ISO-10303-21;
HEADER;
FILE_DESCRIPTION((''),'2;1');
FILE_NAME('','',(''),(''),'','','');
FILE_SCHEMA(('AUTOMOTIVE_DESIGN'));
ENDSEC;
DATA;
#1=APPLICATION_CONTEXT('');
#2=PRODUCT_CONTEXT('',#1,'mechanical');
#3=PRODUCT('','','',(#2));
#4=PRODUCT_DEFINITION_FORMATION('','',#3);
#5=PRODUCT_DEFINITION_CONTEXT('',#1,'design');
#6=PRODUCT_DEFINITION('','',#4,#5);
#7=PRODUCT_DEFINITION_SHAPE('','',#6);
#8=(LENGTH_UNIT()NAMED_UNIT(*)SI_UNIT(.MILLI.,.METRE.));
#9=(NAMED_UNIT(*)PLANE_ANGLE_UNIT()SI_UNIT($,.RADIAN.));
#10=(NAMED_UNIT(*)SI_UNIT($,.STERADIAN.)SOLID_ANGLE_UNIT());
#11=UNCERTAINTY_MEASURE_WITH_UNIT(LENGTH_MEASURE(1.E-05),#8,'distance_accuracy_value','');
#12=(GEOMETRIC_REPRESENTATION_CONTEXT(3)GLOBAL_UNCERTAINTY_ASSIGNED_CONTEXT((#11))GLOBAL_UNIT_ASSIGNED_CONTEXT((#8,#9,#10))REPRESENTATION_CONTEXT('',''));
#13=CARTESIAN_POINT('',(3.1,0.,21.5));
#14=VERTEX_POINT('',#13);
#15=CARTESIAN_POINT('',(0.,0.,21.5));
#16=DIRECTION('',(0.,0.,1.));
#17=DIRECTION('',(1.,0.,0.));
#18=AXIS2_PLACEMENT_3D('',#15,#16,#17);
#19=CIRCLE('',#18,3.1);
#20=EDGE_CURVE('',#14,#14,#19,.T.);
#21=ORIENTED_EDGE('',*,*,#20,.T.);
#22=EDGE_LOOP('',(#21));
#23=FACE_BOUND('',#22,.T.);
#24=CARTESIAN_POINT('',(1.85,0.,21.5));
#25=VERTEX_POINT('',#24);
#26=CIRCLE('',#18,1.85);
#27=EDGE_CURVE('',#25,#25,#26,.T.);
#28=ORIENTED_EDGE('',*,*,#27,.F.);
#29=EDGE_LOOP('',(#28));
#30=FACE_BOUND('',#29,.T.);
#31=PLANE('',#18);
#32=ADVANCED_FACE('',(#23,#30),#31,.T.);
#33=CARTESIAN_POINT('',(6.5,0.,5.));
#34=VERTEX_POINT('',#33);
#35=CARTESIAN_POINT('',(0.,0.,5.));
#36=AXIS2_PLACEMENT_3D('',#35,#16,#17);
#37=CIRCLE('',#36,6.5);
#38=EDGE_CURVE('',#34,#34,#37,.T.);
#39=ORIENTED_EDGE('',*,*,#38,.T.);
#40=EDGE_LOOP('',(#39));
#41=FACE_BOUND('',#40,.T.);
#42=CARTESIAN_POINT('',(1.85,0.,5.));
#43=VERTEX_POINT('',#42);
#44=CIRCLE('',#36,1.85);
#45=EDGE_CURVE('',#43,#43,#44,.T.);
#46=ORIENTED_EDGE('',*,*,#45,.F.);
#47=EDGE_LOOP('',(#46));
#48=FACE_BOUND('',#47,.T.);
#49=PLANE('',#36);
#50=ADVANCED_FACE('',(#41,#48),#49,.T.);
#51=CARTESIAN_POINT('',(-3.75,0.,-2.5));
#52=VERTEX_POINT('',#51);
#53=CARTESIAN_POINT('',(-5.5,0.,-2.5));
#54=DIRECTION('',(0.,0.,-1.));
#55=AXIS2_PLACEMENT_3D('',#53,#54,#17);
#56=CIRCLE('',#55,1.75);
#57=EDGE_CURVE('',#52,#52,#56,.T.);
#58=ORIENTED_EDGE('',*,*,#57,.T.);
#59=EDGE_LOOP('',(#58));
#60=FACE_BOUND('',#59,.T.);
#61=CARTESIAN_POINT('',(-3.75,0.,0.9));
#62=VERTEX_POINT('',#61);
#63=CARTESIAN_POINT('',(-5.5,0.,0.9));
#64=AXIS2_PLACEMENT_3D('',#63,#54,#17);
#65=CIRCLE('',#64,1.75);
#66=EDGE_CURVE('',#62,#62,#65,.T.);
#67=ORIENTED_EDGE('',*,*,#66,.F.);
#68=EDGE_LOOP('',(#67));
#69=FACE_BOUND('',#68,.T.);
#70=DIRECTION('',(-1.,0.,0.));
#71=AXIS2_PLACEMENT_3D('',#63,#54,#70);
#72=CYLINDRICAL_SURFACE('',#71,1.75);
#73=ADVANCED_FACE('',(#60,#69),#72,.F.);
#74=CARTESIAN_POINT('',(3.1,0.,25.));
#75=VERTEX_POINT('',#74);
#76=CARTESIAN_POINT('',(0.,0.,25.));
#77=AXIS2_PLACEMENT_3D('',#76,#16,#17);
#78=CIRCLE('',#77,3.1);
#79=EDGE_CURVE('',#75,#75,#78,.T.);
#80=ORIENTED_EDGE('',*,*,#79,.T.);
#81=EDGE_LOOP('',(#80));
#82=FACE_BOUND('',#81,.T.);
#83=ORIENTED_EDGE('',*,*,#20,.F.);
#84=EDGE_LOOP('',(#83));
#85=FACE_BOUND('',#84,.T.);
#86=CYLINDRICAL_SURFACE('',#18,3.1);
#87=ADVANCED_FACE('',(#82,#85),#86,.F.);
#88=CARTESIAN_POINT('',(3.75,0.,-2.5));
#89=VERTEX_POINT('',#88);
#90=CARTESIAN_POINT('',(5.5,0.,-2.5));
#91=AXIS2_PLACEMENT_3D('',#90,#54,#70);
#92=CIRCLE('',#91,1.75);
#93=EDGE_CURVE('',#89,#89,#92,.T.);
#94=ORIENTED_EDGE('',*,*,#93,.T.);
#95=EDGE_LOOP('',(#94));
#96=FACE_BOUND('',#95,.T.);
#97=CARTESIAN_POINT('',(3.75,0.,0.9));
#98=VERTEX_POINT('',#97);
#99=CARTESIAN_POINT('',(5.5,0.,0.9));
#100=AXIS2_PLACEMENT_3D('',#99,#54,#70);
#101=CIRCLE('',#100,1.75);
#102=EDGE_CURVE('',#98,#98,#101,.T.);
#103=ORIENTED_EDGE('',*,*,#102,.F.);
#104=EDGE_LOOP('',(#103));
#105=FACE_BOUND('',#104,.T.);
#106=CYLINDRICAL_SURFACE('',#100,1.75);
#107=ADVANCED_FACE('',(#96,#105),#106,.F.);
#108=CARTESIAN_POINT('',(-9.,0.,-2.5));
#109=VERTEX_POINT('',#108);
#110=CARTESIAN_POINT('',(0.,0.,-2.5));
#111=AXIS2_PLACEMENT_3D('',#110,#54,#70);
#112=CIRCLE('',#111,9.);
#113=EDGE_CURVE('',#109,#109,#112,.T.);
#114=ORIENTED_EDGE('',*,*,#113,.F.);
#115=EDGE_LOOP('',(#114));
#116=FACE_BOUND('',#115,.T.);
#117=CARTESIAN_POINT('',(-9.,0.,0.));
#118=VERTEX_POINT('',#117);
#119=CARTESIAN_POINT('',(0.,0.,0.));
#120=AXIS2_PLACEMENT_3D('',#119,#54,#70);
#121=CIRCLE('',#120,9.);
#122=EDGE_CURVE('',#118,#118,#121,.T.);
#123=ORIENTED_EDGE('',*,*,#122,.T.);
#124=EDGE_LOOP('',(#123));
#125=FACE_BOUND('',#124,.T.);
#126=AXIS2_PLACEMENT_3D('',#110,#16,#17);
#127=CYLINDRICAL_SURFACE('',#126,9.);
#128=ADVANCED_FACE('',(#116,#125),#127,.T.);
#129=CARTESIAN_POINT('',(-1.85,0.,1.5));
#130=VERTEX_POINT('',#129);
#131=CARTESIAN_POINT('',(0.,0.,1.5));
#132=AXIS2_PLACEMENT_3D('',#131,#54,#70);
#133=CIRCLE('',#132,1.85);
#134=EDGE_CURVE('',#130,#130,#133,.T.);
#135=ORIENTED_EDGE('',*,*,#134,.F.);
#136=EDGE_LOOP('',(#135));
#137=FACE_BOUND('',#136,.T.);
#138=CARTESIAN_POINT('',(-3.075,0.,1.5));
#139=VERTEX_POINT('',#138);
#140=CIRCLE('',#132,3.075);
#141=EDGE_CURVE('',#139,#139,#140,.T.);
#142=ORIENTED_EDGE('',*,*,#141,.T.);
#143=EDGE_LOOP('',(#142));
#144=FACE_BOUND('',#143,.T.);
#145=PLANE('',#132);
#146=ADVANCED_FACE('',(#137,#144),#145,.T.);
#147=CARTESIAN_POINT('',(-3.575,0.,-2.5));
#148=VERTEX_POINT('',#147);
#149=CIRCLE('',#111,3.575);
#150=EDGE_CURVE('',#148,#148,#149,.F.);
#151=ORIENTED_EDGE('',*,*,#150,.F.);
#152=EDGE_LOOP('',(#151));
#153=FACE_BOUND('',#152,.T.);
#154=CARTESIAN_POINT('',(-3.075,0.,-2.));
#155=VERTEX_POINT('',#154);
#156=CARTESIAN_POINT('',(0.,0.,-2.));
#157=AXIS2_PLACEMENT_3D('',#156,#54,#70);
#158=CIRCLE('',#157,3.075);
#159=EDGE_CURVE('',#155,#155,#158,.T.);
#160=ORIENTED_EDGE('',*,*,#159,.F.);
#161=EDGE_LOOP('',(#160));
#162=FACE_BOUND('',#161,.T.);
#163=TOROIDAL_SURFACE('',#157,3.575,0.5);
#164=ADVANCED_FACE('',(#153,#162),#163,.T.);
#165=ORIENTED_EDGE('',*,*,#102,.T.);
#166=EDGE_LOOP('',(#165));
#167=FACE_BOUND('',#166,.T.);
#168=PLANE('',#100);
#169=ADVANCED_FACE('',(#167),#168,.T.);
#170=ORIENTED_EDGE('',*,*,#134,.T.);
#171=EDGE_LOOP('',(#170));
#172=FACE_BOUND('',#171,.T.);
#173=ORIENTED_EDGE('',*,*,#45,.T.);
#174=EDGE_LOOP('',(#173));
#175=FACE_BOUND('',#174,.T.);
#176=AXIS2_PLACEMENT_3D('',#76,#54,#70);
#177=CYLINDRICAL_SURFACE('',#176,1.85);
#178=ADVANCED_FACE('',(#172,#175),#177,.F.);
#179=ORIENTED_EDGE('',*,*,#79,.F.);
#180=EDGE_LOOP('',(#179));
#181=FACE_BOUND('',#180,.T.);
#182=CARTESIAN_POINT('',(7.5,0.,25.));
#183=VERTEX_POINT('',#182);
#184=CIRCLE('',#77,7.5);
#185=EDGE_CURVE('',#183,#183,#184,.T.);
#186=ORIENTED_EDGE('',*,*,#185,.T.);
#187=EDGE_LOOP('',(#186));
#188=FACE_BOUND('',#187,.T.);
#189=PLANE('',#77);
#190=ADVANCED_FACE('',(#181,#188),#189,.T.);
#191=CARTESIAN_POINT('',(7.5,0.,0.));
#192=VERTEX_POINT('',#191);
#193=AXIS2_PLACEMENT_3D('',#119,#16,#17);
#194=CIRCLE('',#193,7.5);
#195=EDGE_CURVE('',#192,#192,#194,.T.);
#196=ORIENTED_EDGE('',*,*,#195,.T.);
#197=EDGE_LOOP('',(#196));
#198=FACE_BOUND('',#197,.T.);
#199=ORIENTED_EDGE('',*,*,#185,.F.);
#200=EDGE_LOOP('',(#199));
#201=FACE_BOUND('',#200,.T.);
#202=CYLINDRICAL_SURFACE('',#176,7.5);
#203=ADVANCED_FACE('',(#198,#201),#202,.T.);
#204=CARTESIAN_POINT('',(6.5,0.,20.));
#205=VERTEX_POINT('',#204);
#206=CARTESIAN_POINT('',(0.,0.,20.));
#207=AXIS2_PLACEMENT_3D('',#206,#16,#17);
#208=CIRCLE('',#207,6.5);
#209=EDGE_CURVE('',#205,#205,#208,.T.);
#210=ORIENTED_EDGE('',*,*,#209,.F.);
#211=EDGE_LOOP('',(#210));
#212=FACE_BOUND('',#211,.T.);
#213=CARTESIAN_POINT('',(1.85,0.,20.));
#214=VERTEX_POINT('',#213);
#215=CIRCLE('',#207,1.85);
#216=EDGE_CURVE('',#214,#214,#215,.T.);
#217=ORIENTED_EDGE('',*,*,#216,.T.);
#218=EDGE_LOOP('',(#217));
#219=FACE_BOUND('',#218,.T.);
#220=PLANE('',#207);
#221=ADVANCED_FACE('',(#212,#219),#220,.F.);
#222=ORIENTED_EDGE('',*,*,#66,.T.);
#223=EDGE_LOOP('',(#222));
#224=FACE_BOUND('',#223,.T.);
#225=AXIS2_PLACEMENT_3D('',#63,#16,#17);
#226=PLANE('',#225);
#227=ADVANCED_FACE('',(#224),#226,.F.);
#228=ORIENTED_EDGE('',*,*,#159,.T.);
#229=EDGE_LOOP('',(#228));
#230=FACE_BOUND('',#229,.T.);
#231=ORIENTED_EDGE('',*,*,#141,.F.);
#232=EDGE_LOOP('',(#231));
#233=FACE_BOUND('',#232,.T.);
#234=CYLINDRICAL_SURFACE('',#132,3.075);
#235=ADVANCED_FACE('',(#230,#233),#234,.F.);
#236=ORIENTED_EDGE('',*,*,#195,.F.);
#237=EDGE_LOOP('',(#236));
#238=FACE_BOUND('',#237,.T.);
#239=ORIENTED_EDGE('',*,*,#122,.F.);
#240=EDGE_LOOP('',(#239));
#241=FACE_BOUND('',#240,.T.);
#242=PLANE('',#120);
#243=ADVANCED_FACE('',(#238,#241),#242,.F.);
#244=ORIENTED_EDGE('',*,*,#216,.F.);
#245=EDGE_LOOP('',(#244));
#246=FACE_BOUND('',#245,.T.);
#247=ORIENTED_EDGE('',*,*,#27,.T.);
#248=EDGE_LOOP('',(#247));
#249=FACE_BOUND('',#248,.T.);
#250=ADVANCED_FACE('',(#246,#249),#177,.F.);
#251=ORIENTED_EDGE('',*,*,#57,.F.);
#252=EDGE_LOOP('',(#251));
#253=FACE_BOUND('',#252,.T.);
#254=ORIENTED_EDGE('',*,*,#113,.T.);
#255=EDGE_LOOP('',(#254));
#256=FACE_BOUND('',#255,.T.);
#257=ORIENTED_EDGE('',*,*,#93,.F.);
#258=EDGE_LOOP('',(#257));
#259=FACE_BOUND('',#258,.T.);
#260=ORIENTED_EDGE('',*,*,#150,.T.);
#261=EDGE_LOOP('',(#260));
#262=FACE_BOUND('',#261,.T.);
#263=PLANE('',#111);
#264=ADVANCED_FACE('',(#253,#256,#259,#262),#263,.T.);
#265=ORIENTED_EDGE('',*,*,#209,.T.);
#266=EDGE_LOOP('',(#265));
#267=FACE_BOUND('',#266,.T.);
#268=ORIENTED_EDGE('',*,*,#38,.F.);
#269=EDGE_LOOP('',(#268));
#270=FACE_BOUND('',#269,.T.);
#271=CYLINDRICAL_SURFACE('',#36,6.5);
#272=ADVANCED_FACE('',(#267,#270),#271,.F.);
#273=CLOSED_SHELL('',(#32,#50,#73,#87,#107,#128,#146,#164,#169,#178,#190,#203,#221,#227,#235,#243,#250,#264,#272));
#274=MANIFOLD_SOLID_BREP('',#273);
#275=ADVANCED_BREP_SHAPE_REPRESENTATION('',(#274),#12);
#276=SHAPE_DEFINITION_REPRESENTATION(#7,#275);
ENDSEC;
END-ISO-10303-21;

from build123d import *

# Parameters (mm, degrees)
CROQUIS1_R              = 7.5
CROQUIS1_R_2            = 1.85
SALIENTE_EXTRUIR1_DEPTH = 25
CROQUIS2_R              = 6.5
CORTAR_EXTRUIR1_DEPTH   = 7.5
CROQUIS3_R              = 9
SALIENTE_EXTRUIR2_DEPTH = 2.5
CROQUIS4_R              = 3.1
CORTAR_EXTRUIR2_DEPTH   = 3.5
CROQUIS5_R              = 3.075
CORTAR_EXTRUIR3_DEPTH   = 4
REDONDEO1_R             = 0.5
CROQUIS6_R              = 1.75
CORTAR_EXTRUIR4_DEPTH   = 3.4


with BuildPart() as part:
    # Croquis1 → Saliente-Extruir1 (new body)
    with BuildSketch(Plane.XY):
        Circle(CROQUIS1_R)
        Circle(CROQUIS1_R_2, mode=Mode.SUBTRACT)
    extrude(amount=SALIENTE_EXTRUIR1_DEPTH)

    # Croquis2 → Cortar-Extruir1 (cut, symmetric)
    with BuildSketch(Plane.XY.offset(12.5)):
        Circle(CROQUIS2_R)
    extrude(amount=CORTAR_EXTRUIR1_DEPTH, both=True, mode=Mode.SUBTRACT)

    # Croquis3 → Saliente-Extruir2 (add)
    with BuildSketch(Plane(origin=(0, 0, 0), x_dir=(-1, 0, 0), z_dir=(0, 0, -1))):
        Circle(CROQUIS3_R)
    extrude(amount=SALIENTE_EXTRUIR2_DEPTH)

    # Croquis4 → Cortar-Extruir2 (cut)
    with BuildSketch(Plane.XY.offset(25)):
        Circle(CROQUIS4_R)
    extrude(amount=-CORTAR_EXTRUIR2_DEPTH, mode=Mode.SUBTRACT)

    # Croquis5 → Cortar-Extruir3 (cut)
    with BuildSketch(Plane(origin=(0, 0, -2.5), x_dir=(-1, 0, 0), z_dir=(0, 0, -1))):
        Circle(CROQUIS5_R)
    extrude(amount=-CORTAR_EXTRUIR3_DEPTH, mode=Mode.SUBTRACT)

    # Redondeo1
    redondeo1_edges = [part.edges().sort_by_distance(p)[0] for p in [
        (3.075, 0, -2.5),
    ]]
    fillet(redondeo1_edges, radius=REDONDEO1_R)

    # Croquis6 → Cortar-Extruir4 (cut)
    with BuildSketch(Plane(origin=(0, 0, -2.5), x_dir=(-1, 0, 0), z_dir=(0, 0, -1))):
        with Locations((-5.5, 0)):
            Circle(CROQUIS6_R)
        with Locations(Location((5.5, 0, 0), (0, 0, 180))):
            Circle(CROQUIS6_R)
    extrude(amount=-CORTAR_EXTRUIR4_DEPTH, mode=Mode.SUBTRACT)


solid = part.part
